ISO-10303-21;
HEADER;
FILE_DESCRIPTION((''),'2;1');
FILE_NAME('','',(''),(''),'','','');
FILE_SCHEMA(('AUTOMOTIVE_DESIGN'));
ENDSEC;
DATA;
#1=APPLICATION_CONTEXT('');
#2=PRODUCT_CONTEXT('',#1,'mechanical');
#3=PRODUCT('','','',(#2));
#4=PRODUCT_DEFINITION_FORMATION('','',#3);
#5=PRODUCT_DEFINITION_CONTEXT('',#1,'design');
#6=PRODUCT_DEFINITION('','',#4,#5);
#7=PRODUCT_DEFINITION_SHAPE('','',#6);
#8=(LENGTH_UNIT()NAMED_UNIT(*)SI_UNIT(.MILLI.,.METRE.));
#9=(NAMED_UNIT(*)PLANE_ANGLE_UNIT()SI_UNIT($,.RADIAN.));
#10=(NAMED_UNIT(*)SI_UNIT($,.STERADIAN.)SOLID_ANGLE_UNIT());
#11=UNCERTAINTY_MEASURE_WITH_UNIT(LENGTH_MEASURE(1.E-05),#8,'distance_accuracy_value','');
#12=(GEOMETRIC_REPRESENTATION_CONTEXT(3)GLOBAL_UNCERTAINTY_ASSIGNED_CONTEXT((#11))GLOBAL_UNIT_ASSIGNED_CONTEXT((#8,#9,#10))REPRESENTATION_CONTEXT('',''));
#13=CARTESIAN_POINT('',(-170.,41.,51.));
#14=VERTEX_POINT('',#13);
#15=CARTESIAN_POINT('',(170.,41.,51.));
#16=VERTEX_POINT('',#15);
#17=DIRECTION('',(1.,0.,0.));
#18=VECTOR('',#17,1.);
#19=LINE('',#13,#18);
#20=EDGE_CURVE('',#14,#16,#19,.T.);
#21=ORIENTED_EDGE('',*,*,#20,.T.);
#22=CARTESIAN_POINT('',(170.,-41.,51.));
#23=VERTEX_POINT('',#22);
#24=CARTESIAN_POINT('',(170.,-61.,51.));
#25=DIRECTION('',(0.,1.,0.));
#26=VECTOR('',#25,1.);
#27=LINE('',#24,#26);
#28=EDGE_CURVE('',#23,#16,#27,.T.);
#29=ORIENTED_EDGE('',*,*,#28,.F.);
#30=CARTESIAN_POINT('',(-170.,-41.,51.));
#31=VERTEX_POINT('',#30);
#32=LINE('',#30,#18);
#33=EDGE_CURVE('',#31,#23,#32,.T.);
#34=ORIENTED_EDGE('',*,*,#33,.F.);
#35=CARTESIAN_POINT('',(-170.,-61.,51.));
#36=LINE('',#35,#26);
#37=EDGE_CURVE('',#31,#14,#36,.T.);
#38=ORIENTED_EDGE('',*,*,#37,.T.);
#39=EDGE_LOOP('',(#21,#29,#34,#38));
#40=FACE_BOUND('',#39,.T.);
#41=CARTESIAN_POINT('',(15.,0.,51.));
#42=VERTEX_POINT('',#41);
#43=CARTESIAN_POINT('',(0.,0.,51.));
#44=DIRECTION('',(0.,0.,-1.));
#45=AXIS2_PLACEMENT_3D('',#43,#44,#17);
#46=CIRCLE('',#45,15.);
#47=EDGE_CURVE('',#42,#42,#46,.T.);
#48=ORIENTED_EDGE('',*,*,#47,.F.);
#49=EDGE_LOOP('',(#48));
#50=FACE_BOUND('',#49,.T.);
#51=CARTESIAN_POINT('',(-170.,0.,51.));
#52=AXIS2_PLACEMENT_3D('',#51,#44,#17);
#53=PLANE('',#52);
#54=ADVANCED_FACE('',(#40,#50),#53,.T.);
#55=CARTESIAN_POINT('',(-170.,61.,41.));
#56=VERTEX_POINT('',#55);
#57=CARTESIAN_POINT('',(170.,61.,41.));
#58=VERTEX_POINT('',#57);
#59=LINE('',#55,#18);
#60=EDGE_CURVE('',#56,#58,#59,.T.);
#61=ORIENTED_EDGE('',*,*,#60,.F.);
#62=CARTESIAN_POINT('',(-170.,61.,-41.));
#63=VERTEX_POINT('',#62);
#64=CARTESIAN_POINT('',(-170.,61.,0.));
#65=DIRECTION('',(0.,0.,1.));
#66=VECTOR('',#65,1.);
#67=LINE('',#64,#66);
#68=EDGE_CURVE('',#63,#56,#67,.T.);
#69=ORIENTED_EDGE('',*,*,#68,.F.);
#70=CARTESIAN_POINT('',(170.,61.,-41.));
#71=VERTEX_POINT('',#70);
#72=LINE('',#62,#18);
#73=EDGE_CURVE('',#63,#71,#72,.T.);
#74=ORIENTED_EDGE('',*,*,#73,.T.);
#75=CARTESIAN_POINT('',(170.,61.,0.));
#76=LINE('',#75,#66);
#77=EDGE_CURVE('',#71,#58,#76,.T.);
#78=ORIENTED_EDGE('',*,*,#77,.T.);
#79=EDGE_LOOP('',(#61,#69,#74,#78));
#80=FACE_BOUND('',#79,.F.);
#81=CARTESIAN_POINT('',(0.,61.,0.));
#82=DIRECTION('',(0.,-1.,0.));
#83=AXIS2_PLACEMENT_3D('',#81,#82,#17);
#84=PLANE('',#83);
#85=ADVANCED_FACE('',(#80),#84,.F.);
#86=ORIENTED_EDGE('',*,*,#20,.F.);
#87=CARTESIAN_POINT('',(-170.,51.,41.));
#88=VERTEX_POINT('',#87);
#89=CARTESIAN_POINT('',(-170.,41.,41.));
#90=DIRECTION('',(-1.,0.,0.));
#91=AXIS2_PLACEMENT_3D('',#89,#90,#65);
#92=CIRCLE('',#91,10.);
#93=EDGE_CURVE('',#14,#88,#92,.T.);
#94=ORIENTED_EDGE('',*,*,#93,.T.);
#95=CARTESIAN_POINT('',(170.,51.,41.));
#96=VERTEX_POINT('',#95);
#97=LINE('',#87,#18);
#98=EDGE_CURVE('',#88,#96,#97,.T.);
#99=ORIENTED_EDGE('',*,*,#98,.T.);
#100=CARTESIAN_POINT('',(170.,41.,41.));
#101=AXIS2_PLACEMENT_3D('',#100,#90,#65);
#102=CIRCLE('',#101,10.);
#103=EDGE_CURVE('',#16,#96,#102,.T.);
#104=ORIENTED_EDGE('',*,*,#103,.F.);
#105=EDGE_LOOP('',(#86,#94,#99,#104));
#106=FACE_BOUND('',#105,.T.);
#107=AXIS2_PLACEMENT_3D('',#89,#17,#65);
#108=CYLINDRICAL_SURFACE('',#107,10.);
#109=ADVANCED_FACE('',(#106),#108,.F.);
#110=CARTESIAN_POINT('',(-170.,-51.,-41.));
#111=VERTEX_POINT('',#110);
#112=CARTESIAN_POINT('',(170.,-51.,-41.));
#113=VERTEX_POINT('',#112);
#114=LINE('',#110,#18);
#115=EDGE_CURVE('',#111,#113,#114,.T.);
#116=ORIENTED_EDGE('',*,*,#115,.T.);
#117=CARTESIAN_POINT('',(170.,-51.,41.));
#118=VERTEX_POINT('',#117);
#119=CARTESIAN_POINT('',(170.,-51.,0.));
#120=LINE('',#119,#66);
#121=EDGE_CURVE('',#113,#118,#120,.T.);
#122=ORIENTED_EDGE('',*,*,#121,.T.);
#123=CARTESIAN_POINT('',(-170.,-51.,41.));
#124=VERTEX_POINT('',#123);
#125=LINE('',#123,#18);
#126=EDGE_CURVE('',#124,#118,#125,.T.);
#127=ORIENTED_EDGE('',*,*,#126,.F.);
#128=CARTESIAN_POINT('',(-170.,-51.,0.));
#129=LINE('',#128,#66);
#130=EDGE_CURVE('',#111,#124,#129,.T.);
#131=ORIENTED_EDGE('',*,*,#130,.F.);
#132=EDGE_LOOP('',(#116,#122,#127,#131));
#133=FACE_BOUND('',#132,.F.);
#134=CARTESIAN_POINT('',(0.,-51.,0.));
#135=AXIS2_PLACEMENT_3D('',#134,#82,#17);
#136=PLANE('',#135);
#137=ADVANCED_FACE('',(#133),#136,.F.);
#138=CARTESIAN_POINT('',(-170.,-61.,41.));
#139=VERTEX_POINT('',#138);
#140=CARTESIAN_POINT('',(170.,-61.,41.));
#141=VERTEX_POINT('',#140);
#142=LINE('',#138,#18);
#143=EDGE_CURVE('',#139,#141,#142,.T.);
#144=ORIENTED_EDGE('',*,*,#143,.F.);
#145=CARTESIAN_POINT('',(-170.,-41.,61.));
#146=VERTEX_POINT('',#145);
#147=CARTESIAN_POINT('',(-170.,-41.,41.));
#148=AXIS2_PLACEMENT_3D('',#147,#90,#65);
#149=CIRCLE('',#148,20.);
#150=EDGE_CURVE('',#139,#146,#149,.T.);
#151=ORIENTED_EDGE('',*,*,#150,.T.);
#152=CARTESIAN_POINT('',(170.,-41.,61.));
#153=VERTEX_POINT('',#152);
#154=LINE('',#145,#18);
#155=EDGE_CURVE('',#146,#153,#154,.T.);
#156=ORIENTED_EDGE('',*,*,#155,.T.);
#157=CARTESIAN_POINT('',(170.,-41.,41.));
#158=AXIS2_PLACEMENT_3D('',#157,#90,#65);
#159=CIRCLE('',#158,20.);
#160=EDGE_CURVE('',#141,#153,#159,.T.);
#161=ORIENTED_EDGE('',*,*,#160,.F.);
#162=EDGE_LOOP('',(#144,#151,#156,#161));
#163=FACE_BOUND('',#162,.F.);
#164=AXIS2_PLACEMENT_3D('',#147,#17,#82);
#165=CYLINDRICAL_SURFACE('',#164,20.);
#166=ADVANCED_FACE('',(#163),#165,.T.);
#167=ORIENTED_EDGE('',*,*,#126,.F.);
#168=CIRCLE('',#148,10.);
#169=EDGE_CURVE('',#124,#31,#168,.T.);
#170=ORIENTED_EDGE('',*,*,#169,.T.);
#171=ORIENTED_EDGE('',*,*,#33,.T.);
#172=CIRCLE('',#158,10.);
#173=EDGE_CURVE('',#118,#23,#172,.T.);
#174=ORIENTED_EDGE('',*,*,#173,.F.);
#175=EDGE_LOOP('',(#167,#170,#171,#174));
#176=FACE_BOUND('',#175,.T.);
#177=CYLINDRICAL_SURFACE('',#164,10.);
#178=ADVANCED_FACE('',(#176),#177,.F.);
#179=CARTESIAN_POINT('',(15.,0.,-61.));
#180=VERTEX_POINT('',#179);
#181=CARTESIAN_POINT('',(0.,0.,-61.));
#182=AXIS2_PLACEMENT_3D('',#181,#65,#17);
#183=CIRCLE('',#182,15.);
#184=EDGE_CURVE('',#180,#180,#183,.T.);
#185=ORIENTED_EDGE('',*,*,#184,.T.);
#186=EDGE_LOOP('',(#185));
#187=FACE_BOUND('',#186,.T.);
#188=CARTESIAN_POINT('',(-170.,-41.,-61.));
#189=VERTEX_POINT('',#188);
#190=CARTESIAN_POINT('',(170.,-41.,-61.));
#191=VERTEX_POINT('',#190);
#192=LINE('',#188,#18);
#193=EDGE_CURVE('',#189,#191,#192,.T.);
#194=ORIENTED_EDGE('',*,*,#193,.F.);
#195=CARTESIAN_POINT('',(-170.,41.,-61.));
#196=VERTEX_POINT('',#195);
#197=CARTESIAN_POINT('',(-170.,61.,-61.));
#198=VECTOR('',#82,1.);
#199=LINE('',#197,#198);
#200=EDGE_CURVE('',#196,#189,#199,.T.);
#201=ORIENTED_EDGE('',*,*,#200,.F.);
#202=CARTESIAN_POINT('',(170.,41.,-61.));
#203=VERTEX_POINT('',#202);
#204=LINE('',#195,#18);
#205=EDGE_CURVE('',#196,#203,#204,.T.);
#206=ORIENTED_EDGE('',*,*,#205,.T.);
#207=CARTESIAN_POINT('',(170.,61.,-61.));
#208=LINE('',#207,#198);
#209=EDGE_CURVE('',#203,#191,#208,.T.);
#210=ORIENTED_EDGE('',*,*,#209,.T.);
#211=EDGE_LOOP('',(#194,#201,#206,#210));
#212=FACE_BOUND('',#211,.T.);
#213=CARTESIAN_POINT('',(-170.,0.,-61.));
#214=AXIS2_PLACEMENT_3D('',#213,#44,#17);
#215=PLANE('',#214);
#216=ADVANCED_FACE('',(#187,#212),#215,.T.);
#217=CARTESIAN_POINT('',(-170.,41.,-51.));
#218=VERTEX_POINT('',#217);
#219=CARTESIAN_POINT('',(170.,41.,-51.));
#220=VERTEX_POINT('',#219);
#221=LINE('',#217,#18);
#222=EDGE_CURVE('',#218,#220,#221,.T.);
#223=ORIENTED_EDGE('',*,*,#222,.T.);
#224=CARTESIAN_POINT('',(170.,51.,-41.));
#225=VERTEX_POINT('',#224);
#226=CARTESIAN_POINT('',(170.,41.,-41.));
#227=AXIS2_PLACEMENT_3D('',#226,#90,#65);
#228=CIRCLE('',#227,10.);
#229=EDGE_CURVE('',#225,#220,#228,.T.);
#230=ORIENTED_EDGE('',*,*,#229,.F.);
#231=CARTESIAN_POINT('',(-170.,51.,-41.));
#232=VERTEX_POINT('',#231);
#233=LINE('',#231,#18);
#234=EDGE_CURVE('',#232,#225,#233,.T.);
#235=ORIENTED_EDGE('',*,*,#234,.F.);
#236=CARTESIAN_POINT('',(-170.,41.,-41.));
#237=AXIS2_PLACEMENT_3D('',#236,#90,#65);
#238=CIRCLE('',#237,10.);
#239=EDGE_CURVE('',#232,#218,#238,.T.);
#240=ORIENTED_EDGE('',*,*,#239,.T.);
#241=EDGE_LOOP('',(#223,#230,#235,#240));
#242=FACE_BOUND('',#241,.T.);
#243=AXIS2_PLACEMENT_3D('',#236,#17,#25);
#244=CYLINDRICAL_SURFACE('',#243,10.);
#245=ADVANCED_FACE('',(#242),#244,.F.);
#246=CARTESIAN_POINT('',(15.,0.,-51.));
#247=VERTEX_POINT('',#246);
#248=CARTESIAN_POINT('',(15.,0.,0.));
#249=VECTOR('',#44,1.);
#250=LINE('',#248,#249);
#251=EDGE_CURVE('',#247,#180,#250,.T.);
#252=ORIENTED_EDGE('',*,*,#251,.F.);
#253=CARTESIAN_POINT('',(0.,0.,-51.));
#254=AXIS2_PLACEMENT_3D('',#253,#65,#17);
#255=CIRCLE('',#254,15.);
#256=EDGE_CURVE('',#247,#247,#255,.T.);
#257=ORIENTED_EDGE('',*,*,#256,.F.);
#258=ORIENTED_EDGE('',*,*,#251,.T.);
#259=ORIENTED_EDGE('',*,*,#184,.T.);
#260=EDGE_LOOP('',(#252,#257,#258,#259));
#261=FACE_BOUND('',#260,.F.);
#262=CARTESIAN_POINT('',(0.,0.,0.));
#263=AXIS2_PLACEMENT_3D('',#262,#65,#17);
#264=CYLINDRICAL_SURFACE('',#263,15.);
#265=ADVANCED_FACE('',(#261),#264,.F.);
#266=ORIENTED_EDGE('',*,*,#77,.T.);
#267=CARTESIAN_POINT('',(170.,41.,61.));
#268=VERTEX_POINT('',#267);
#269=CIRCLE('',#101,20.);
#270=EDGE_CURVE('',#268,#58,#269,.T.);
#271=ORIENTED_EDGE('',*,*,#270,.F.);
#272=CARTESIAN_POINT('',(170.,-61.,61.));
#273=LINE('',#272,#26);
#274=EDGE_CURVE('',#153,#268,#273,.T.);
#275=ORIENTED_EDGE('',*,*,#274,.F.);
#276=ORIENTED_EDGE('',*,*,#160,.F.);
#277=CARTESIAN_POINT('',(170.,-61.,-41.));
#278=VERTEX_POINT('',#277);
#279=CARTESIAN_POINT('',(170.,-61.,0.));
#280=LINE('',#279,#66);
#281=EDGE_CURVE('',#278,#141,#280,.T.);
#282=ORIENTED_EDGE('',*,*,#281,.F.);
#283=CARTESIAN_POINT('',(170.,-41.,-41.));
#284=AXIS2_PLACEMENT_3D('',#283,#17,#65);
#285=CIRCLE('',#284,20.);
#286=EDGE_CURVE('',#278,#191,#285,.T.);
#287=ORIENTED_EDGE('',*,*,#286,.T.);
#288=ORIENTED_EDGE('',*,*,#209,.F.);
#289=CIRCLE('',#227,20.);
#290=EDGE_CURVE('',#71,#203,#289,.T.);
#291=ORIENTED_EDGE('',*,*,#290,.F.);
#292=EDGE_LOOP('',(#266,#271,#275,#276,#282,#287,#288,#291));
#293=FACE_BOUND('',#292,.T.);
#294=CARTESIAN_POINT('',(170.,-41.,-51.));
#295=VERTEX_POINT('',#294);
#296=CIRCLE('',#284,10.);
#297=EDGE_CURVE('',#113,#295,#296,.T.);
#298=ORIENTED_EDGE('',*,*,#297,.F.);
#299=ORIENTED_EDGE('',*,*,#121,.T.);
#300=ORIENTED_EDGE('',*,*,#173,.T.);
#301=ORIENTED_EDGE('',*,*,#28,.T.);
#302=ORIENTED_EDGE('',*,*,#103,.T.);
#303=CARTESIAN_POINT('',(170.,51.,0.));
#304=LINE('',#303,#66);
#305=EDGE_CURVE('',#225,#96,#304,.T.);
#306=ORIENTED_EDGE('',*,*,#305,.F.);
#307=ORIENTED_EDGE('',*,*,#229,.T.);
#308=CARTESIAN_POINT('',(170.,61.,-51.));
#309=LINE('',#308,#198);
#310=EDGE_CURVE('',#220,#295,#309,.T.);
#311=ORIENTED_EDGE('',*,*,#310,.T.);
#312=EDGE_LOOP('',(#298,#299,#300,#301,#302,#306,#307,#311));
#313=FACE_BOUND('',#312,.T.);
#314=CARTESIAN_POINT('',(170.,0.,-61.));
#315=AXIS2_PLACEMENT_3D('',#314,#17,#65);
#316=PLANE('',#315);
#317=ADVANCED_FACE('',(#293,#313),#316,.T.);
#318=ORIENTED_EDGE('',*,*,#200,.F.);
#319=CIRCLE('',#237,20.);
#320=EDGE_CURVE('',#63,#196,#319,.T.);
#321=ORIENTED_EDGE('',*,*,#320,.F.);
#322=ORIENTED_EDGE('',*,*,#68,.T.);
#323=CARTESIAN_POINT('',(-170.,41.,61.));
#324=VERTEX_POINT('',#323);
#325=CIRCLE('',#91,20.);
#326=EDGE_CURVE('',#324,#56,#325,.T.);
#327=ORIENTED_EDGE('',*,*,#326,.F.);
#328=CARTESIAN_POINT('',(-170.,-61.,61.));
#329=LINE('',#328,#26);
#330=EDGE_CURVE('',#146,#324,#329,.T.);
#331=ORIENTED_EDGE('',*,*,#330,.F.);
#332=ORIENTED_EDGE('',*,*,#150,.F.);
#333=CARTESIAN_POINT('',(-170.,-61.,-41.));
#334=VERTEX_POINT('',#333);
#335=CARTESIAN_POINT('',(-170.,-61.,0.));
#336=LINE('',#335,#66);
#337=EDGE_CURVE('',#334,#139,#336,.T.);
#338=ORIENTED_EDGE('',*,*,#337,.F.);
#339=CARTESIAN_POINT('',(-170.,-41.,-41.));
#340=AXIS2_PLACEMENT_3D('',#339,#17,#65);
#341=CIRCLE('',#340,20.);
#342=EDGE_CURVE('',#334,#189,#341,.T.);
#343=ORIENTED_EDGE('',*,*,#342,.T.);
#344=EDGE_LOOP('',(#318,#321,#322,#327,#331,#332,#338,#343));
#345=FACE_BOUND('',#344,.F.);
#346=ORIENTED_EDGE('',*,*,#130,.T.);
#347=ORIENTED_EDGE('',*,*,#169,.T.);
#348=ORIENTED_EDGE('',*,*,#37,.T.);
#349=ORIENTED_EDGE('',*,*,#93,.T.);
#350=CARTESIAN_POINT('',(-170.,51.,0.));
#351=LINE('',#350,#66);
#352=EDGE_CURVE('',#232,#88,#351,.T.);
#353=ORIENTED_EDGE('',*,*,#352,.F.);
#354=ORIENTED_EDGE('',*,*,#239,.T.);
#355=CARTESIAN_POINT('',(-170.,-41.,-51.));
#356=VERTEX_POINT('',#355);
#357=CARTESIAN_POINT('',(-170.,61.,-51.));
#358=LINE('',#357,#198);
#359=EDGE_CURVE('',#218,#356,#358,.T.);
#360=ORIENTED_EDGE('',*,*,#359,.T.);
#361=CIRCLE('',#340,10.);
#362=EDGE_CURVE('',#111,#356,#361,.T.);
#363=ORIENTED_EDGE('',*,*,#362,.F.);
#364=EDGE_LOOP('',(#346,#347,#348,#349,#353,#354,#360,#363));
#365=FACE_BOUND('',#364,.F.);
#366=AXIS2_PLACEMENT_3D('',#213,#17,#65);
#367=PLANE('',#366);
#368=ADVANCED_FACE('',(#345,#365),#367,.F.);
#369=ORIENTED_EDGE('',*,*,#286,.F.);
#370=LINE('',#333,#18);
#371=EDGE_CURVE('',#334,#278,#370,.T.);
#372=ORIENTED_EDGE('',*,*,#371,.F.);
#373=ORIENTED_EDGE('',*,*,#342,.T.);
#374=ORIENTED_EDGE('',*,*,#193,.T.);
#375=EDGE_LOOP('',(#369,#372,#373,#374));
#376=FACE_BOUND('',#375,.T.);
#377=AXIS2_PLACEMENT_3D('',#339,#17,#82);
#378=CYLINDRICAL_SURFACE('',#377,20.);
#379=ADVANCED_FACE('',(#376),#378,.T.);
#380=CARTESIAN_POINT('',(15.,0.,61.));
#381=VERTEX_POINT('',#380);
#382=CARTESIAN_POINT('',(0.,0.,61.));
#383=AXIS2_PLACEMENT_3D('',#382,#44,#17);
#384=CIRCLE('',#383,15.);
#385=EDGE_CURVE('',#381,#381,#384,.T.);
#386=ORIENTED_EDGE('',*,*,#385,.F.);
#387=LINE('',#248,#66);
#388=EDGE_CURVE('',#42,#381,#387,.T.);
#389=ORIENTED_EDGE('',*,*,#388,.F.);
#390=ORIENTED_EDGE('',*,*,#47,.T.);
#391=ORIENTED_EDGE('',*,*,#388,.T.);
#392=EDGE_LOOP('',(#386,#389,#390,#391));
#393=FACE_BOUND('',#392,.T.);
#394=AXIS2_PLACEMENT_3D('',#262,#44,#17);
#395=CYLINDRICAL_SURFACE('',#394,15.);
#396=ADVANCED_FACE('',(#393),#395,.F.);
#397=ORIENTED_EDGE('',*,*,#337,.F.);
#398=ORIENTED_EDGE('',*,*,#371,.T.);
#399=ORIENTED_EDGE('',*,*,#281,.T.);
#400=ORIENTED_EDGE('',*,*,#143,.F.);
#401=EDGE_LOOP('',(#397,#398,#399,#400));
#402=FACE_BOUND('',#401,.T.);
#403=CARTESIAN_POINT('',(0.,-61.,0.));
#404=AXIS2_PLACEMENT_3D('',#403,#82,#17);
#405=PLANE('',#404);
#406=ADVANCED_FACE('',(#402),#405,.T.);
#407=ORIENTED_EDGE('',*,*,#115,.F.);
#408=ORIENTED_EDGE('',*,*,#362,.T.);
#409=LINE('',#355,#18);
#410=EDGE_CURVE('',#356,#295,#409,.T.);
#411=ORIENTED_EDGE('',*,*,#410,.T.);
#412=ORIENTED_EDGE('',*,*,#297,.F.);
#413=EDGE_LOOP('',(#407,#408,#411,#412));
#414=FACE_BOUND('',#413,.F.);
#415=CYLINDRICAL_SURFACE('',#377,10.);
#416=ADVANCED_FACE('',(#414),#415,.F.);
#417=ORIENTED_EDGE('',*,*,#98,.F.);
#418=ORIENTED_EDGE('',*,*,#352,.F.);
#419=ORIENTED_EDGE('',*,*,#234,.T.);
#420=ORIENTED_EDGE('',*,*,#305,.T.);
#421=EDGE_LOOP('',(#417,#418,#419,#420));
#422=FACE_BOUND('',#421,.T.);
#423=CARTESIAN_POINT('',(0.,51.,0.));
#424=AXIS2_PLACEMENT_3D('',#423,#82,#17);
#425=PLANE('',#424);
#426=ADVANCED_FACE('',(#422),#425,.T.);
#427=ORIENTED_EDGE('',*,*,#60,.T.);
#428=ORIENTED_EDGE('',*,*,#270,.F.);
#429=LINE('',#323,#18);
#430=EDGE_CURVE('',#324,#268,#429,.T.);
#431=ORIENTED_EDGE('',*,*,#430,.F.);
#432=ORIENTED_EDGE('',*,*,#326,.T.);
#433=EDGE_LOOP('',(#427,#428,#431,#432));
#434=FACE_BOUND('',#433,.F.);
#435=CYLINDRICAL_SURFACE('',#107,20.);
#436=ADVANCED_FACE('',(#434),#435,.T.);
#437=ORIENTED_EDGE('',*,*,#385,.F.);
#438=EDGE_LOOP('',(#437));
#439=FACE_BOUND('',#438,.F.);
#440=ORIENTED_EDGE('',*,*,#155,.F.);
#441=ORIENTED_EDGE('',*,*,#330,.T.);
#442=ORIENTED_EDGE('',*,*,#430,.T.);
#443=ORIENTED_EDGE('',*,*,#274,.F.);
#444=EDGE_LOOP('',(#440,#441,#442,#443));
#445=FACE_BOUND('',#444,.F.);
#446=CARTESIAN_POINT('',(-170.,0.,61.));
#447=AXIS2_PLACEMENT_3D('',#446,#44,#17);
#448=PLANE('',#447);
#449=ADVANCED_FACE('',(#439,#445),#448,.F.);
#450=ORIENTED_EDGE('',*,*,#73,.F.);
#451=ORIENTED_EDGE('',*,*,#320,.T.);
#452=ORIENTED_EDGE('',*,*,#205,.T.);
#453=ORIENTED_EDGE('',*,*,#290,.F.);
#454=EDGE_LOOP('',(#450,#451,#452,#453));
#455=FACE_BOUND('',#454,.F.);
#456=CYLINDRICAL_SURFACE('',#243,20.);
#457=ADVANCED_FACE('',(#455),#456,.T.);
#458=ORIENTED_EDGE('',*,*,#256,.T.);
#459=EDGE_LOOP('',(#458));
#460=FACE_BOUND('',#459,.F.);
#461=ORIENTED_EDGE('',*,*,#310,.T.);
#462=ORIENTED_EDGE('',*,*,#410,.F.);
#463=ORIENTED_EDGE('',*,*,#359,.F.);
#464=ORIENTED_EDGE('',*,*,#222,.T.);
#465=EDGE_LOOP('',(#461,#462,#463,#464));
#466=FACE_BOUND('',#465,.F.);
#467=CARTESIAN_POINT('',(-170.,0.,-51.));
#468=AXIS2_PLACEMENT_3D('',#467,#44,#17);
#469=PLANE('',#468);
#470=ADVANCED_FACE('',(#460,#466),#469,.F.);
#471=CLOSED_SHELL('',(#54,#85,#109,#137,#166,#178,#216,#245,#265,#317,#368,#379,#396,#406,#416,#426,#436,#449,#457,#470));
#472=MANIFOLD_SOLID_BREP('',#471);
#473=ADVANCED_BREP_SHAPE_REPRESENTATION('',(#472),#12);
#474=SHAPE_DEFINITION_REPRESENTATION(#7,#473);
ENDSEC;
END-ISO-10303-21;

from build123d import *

# Parameters (mm, degrees)
F0_W          = 340
F0_H          = 122
F1_DEPTH      = 61
F2_R          = 20
F3_T          = -10
F4_R          = 15
F5_DEPTH      = 61.001
F5_DEPTH_BACK = 61.001


with BuildPart() as f1:
    # F0 (on Front) → F1 (new body, symmetric)
    with BuildSketch(Plane.XZ):
        Rectangle(F0_W, F0_H)
    extrude(amount=F1_DEPTH, both=True)

    # F2
    f2_edges = [f1.edges().sort_by_distance(p)[0] for p in [
        (0, 61, 61),
        (0, -61, 61),
        (0, 61, -61),
        (0, -61, -61),
    ]]
    fillet(f2_edges, radius=F2_R)

    # F3
    f3_openings = [f1.faces().sort_by_distance(p)[0] for p in [
        (170, 0, 0),
        (-170, 0, 0),
    ]]
    offset(amount=F3_T, openings=f3_openings)

    # F4 (on Top) → F5 (cut, two sides)
    with BuildSketch(Plane.XY) as f5_sk:
        Circle(F4_R)
    extrude(amount=F5_DEPTH, mode=Mode.SUBTRACT)
    extrude(f5_sk.sketch, amount=-F5_DEPTH_BACK, mode=Mode.SUBTRACT)


solid = f1.part
